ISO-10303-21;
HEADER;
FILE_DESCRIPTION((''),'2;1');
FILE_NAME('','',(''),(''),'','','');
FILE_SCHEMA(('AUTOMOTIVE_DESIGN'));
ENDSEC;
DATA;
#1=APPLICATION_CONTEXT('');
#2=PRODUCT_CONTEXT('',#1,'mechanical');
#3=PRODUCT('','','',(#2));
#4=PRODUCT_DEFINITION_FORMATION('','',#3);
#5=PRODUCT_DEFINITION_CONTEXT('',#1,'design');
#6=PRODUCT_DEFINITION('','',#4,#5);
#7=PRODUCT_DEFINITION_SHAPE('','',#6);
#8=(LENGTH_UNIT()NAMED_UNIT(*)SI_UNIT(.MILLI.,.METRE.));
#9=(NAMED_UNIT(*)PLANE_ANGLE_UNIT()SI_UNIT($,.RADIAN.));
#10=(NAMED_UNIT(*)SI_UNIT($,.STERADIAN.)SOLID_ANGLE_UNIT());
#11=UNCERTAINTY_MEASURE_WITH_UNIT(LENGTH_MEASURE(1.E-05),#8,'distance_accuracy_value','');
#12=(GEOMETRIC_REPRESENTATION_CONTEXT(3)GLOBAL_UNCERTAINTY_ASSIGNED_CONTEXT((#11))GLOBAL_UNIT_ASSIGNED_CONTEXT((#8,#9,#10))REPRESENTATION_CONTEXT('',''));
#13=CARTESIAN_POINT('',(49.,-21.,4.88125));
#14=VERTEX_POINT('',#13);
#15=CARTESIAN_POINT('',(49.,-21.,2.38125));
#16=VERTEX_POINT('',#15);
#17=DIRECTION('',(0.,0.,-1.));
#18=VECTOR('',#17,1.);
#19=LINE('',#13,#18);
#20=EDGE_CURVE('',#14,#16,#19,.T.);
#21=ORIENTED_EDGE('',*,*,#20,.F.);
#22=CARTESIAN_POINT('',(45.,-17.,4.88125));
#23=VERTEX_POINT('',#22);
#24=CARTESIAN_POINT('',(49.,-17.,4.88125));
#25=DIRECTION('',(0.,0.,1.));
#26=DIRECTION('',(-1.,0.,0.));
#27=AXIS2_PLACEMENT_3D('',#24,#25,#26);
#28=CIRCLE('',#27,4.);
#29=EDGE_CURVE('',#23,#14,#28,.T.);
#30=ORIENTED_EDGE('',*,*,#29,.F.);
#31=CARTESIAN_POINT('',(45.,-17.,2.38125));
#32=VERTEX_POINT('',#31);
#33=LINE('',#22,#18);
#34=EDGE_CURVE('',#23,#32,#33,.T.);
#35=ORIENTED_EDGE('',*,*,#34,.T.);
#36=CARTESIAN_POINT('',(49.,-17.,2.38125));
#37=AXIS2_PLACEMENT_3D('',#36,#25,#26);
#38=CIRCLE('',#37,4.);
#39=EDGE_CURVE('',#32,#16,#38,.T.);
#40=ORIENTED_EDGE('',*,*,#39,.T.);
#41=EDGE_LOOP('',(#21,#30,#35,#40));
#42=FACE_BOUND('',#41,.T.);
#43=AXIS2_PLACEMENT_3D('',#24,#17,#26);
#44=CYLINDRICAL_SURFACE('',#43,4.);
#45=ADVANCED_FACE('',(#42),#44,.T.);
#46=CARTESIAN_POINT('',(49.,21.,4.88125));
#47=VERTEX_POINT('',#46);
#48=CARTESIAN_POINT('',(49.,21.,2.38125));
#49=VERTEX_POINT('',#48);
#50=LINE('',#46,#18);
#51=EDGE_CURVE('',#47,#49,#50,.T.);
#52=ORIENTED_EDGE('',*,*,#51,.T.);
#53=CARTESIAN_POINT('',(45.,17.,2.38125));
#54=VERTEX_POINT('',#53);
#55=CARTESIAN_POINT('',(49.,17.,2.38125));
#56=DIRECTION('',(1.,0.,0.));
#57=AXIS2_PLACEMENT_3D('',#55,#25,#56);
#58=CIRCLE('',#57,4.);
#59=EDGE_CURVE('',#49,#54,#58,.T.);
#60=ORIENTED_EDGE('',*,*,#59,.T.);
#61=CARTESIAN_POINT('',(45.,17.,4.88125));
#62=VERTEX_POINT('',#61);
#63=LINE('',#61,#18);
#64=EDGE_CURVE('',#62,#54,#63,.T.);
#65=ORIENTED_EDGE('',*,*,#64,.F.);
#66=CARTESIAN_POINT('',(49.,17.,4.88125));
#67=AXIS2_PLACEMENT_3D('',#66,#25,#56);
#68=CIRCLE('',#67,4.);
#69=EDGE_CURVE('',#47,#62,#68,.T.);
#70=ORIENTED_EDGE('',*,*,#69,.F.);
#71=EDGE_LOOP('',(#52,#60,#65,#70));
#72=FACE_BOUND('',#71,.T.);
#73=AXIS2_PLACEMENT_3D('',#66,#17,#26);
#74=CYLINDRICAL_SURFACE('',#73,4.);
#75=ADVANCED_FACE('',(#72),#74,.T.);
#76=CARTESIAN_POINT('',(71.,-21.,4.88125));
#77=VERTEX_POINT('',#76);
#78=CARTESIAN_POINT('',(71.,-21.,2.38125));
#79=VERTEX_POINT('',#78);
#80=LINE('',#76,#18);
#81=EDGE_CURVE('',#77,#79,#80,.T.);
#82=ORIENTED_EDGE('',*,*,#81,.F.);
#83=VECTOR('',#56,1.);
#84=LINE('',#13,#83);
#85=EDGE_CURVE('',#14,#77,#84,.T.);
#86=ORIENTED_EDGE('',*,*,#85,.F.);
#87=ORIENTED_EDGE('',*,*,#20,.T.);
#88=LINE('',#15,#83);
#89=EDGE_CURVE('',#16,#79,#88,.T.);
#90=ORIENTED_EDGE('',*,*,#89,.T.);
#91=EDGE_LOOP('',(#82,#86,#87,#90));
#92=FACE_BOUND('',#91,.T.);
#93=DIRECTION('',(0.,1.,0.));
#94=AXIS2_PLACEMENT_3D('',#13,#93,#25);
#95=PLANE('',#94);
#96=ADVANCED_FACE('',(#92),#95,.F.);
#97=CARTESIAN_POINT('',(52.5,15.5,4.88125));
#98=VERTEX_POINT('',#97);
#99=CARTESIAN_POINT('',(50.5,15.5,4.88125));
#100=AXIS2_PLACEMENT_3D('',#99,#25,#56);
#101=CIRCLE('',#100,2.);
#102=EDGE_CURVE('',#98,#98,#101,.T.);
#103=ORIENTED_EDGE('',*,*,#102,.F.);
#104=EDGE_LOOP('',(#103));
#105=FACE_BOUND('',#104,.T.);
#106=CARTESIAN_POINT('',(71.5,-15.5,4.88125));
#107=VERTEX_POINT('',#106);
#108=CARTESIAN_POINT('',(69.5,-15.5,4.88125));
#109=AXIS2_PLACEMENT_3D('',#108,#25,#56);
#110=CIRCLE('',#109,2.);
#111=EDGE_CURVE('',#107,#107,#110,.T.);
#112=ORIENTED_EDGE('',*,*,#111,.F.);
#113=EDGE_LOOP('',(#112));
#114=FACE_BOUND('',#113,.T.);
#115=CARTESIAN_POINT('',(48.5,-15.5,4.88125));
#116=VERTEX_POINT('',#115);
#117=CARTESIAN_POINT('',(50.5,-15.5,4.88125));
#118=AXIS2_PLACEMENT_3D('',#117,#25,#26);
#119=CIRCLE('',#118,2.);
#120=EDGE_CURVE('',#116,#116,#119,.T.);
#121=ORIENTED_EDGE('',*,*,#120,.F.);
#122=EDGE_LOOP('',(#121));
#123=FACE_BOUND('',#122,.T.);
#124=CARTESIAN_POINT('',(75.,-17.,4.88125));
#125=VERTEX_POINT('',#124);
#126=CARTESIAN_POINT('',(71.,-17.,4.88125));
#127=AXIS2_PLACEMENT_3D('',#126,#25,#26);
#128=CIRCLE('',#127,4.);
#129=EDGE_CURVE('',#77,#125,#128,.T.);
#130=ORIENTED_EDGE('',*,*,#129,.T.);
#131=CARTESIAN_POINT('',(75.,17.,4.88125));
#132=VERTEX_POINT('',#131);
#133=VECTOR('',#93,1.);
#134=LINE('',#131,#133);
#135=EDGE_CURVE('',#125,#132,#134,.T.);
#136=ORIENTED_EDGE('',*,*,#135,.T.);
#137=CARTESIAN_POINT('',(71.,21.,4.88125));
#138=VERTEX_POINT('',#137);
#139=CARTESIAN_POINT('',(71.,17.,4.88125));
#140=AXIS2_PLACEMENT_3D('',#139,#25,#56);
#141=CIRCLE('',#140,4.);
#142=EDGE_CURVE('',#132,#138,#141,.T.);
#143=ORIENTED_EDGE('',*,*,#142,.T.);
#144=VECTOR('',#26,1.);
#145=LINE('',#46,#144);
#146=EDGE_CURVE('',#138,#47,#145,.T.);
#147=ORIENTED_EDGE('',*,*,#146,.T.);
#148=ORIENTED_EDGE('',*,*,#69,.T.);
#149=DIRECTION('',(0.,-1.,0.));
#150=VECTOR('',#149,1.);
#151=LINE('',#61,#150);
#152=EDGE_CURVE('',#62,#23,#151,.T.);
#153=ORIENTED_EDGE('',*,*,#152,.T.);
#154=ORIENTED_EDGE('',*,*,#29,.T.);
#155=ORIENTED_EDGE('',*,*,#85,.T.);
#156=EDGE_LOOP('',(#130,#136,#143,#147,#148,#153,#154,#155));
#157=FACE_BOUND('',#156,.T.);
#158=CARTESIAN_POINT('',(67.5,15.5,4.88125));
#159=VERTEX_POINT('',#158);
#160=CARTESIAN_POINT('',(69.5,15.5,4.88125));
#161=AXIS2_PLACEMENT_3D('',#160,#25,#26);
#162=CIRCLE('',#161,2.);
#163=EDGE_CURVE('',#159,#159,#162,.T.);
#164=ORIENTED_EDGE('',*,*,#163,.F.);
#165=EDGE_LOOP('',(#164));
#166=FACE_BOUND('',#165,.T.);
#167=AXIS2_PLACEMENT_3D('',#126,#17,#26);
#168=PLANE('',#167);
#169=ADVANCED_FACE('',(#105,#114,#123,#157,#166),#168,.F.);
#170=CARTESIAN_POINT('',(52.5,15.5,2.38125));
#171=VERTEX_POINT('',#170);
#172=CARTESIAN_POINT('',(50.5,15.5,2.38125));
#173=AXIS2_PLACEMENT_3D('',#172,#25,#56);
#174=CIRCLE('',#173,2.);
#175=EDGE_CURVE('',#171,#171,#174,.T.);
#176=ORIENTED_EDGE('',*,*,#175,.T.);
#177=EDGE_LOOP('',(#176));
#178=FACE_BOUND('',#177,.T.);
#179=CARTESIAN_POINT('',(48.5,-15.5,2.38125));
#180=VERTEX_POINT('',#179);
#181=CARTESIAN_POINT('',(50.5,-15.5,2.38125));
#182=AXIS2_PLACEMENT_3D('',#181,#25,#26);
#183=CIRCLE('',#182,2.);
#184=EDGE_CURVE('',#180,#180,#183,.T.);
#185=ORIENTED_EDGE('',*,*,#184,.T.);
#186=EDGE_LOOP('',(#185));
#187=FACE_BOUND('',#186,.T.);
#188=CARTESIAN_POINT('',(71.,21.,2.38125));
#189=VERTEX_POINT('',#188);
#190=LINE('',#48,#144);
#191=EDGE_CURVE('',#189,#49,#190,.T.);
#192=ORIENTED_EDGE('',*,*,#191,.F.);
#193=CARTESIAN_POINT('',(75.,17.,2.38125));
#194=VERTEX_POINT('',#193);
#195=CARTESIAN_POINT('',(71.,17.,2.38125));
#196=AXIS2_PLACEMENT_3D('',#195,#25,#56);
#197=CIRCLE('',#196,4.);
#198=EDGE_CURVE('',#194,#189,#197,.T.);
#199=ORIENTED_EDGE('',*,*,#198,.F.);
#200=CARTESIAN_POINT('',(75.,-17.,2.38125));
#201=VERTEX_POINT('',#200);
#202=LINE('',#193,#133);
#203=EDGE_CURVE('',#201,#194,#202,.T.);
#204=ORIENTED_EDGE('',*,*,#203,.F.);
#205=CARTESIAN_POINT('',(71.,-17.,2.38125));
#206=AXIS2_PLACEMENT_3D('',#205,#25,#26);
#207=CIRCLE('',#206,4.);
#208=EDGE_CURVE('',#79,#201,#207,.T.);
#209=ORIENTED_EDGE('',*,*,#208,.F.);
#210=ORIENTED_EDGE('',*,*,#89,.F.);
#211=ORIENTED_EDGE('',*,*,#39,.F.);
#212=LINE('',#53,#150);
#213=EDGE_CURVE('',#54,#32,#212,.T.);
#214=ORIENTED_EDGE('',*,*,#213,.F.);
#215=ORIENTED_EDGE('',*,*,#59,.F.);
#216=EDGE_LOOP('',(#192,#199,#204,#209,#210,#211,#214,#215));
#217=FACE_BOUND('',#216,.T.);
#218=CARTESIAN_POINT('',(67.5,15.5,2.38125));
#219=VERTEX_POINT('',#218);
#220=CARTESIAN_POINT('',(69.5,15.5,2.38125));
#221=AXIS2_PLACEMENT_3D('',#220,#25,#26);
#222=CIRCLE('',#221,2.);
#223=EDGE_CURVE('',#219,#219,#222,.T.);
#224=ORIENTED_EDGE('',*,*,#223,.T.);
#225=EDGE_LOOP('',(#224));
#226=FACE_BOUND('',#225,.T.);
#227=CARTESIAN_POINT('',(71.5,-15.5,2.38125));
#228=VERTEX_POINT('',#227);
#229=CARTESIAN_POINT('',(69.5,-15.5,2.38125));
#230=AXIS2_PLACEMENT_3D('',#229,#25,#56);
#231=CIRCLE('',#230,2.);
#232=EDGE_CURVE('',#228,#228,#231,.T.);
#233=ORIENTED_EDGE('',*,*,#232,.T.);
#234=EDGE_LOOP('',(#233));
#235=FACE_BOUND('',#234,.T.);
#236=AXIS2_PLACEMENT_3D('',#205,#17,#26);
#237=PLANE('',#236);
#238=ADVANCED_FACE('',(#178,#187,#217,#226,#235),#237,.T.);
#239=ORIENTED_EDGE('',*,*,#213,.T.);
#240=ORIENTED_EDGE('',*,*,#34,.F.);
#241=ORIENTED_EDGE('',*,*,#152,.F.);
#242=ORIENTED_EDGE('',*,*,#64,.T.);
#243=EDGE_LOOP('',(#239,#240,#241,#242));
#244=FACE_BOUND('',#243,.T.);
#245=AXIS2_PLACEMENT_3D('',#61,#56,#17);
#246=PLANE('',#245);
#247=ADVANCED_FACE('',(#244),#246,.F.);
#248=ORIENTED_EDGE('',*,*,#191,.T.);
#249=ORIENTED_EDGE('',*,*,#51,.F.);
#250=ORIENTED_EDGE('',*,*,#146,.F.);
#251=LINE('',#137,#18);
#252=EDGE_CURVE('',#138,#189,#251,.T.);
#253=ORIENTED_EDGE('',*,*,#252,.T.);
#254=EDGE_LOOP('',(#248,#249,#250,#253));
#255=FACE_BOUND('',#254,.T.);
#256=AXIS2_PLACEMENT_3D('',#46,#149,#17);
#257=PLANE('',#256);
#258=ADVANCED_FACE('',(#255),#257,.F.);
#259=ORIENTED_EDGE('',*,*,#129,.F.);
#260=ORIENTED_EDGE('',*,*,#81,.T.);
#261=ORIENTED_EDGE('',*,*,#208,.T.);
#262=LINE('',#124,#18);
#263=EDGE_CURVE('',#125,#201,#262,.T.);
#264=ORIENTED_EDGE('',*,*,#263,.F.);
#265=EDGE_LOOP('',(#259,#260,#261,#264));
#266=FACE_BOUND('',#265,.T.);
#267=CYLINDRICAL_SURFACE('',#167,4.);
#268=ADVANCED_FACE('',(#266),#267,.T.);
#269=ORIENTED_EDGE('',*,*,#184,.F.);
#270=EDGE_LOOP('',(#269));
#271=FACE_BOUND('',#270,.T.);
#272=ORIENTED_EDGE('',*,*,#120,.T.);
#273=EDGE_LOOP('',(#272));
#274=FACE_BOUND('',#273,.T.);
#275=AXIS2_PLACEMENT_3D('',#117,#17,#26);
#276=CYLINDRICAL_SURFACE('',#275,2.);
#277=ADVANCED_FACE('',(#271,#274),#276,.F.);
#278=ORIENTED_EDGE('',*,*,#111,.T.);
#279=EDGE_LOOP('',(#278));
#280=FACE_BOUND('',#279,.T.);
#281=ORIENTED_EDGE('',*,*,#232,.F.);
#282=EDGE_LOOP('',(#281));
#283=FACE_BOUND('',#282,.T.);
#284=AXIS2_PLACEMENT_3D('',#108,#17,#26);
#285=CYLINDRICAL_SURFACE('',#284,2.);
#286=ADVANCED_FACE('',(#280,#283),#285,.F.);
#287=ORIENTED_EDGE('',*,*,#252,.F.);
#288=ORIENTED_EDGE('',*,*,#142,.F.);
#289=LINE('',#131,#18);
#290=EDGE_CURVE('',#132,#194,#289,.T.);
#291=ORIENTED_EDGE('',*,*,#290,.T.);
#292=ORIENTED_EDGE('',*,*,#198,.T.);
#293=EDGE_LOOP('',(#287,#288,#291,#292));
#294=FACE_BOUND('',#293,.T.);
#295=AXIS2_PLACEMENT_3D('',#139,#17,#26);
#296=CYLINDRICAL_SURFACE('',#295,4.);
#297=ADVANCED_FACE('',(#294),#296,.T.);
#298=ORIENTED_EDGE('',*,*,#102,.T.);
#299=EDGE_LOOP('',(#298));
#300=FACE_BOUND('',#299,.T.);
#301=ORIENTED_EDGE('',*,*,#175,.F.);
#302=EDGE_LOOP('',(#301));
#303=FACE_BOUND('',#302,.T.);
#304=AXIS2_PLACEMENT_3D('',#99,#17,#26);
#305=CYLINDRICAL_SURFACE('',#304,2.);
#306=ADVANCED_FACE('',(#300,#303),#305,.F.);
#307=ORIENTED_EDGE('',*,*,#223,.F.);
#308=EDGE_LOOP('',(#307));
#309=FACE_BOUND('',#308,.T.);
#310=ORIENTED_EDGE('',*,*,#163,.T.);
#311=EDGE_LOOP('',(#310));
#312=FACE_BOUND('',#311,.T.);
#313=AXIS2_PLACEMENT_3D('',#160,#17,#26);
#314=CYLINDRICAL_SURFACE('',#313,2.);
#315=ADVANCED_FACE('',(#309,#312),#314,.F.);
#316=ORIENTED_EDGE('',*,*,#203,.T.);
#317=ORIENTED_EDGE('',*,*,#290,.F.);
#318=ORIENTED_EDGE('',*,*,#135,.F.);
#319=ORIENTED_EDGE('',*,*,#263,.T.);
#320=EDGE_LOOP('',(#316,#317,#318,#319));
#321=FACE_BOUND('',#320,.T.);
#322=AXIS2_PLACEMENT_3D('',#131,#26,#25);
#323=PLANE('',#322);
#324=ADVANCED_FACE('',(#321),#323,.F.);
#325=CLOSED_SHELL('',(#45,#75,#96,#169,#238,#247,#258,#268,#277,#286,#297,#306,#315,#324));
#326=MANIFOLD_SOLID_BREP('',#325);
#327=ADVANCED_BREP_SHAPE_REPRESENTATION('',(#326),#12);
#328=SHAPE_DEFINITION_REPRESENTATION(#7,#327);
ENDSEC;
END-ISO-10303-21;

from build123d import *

# Parameters (mm, degrees)
SKETCH2_W               = 138
SKETCH2_H               = 42
SKETCH2_R               = 2
SKETCH2_R_2             = 3.5
SKETCH2_R_3             = 8.5
BOSS_EXTRUDE1_DEPTH     = 2.38125
SKETCH3_R               = 4
SKETCH3_R_2             = 2
CUT_EXTRUDE1_DEPTH      = 4
SKETCH4_R               = 3.175
SKETCH4_R_2             = 2
BOSS_EXTRUDE2_DEPTH     = 17.9
SKETCH6_R               = 2
CUT_EXTRUDE2_DEPTH      = 10
BOSS_EXTRUDE3_DEPTH     = 4.7625
SKETCH7_R               = 3.175
BOSS_EXTRUDE4_DEPTH     = 17.9
FILLET1_R               = 6.35
BOSS_EXTRUDE5_START     = -27.425
BOSS_EXTRUDE5_DEPTH     = 27.425
CUT_EXTRUDE4_START      = -4
SKETCH9_R               = 4
CUT_EXTRUDE4_DEPTH      = 4
SKETCH10_R              = 11.00455
CUT_EXTRUDE5_DEPTH      = 2.5
CUT_EXTRUDE6_DEPTH      = 123.578796086
CUT_EXTRUDE6_DEPTH_BACK = 123.578796086
SKETCH11_R              = 1.65
SKETCH12_R              = 2
BOSS_EXTRUDE6_DEPTH     = 2.5


with BuildPart() as part:
    # Sketch2 → Boss-Extrude1 (new, symmetric)
    with BuildSketch(Plane.XY):
        with Locations((48, 0)):
            Rectangle(SKETCH2_W, SKETCH2_H)
        with Locations(Location((34, -15.5, 0), (0, 0, 180))):
            Circle(SKETCH2_R, mode=Mode.SUBTRACT)
        with Locations(Location((34, 15.5, 0), (0, 0, 180))):
            Circle(SKETCH2_R, mode=Mode.SUBTRACT)
        with Locations(Location((0, 0, 0), (0, 0, 180))):
            Circle(SKETCH2_R_2, mode=Mode.SUBTRACT)
        with Locations(Location((60, 0, 0), (0, 0, 180))):
            Circle(SKETCH2_R_3, mode=Mode.SUBTRACT)
    boss_extrude1 = extrude(amount=BOSS_EXTRUDE1_DEPTH, both=True)

    # Sketch3 → Cut-Extrude1 (cut)
    # profile 1 of 6: a face of its own
    with BuildSketch(Plane(origin=(0, 0, -2.38125), x_dir=(-1, 0, 0), z_dir=(0, 0, -1))):
        with Locations((-34, -15.5)):
            Circle(SKETCH3_R)
    # profile 2 of 6: a face of its own
    with BuildSketch(Plane(origin=(0, 0, -2.38125), x_dir=(-1, 0, 0), z_dir=(0, 0, -1))):
        with Locations((-34, 15.5)):
            Circle(SKETCH3_R)
        with Locations((-34, 15.5)):
            Circle(SKETCH3_R_2, mode=Mode.SUBTRACT)
    # profile 3 of 6: a face of its own
    with BuildSketch(Plane(origin=(0, 0, -2.38125), x_dir=(-1, 0, 0), z_dir=(0, 0, -1))):
        with Locations((-15.5, 15.5)):
            Circle(SKETCH3_R)
    # profile 4 of 6: a face of its own
    with BuildSketch(Plane(origin=(0, 0, -2.38125), x_dir=(-1, 0, 0), z_dir=(0, 0, -1))):
        with Locations((15.5, 15.5)):
            Circle(SKETCH3_R)
    # profile 5 of 6: a face of its own
    with BuildSketch(Plane(origin=(0, 0, -2.38125), x_dir=(-1, 0, 0), z_dir=(0, 0, -1))):
        with Locations((-15.5, -15.5)):
            Circle(SKETCH3_R)
    # profile 6 of 6: a face of its own
    with BuildSketch(Plane(origin=(0, 0, -2.38125), x_dir=(-1, 0, 0), z_dir=(0, 0, -1))):
        with Locations((15.5, -15.5)):
            Circle(SKETCH3_R)
    extrude(amount=-CUT_EXTRUDE1_DEPTH, mode=Mode.SUBTRACT)

    # Sketch4 → Boss-Extrude2 (add)
    # profile 1 of 2: a face of its own
    with BuildSketch(Plane(origin=(0, 0, -2.38125), x_dir=(-1, 0, 0), z_dir=(0, 0, -1))):
        with Locations(Location((-111.5, -15.5, 0), (0, 0, 180))):
            Circle(SKETCH4_R)
        with Locations(Location((-111.5, -15.5, 0), (0, 0, 180))):
            Circle(SKETCH4_R_2, mode=Mode.SUBTRACT)
    # profile 2 of 2: a face of its own
    with BuildSketch(Plane(origin=(0, 0, -2.38125), x_dir=(-1, 0, 0), z_dir=(0, 0, -1))):
        with Locations(Location((-111.5, 15.5, 0), (0, 0, 180))):
            Circle(SKETCH4_R)
        with Locations(Location((-111.5, 15.5, 0), (0, 0, 180))):
            Circle(SKETCH4_R_2, mode=Mode.SUBTRACT)
    extrude(amount=BOSS_EXTRUDE2_DEPTH)

    # Sketch6 → Cut-Extrude2 (cut)
    with BuildSketch(Plane(origin=(0, 0, -2.38125), x_dir=(-1, 0, 0), z_dir=(0, 0, -1))):
        with Locations((-15.5, 15.5)):
            Circle(SKETCH6_R)
        with Locations((15.5, 15.5)):
            Circle(SKETCH6_R)
        with Locations((15.5, -15.5)):
            Circle(SKETCH6_R)
        with Locations((-15.5, -15.5)):
            Circle(SKETCH6_R)
    extrude(amount=-CUT_EXTRUDE2_DEPTH, mode=Mode.SUBTRACT)

    # Sketch5 → Boss-Extrude3 (add)
    with BuildSketch(Plane(origin=(0, 0, -2.38125), x_dir=(-1, 0, 0), z_dir=(0, 0, -1))):
        with BuildLine():
            Line((21, -21), (27.208091957, -0.938604379))
            ThreePointArc((27.208091957, -0.938604379), (27.35, 0), (27.208091957, 0.938604379))
            Line((27.208091957, 0.938604379), (21, 21))
            Line((21, 21), (21, -21))
        make_face()
    boss_extrude3 = extrude(amount=-BOSS_EXTRUDE3_DEPTH)

    # Mirror2: Boss-Extrude1, Boss-Extrude3 across plane
    add(boss_extrude1.mirror(Plane(origin=(0, 0, -11.33125), x_dir=(1, 0, 0), z_dir=(0, 0, -1))))
    add(boss_extrude3.mirror(Plane(origin=(0, 0, -11.33125), x_dir=(1, 0, 0), z_dir=(0, 0, -1))))

    # Sketch7 → Boss-Extrude4 (add)
    with BuildSketch(Plane.XY.offset(-20.28125)):
        with Locations(Location((-24.175, 0, 0), (0, 0, 197.194924512))):
            Circle(SKETCH7_R)
    extrude(amount=BOSS_EXTRUDE4_DEPTH)

    # Fillet1
    fillet1_edges = [part.edges().sort_by_distance(p)[0] for p in [
        (117, 21, -22.6625),
        (117, -21, -22.6625),
        (-21, -21, -22.6625),
        (-21, 21, -22.6625),
        (117, -21, 0),
        (-21, -21, 0),
        (-21, 21, 0),
        (117, 21, 0),
    ]]
    fillet(fillet1_edges, radius=FILLET1_R)

    # Sketch8 → Boss-Extrude5 (add)
    with BuildSketch(Plane(origin=(0, 0, -25.04375), x_dir=(-1, 0, 0), z_dir=(0, 0, -1)).offset(BOSS_EXTRUDE5_START)):
        with BuildLine():
            ThreePointArc((3.175, 21), (0, 24.175), (-3.175, 21))
            Line((-3.175, 21), (3.175, 21))
        make_face()
        with BuildLine():
            Line((3.175, -21), (-3.175, -21))
            ThreePointArc((-3.175, -21), (0, -24.175), (3.175, -21))
        make_face()
    extrude(amount=BOSS_EXTRUDE5_DEPTH)

    # Sketch9 → Cut-Extrude4 (cut)
    with BuildSketch(Plane.XY.offset(-20.28125).offset(CUT_EXTRUDE4_START)):
        with Locations(Location((34, -15.5, 0), (0, 0, 180))):
            Circle(SKETCH9_R)
        with Locations(Location((34, 15.5, 0), (0, 0, 180))):
            Circle(SKETCH9_R)
    extrude(amount=CUT_EXTRUDE4_DEPTH, mode=Mode.SUBTRACT)

    # Sketch10 → Cut-Extrude5 (cut)
    with BuildSketch(Plane.XY.offset(2.38125)):
        Circle(SKETCH10_R)
    extrude(amount=-CUT_EXTRUDE5_DEPTH, mode=Mode.SUBTRACT)

    # Sketch11 → Cut-Extrude6 (cut, two sides: drawn at the far end of the back side and taken through both)
    with BuildSketch(Plane.XY.offset(2.38125).offset(-CUT_EXTRUDE6_DEPTH_BACK)):
        with Locations((50.5, 15.5)):
            Circle(SKETCH11_R)
        with Locations(Location((69.5, 15.5, 0), (0, 0, 180))):
            Circle(SKETCH11_R)
        with Locations((69.5, -15.5)):
            Circle(SKETCH11_R)
        with Locations(Location((50.5, -15.5, 0), (0, 0, 180))):
            Circle(SKETCH11_R)
    extrude(amount=CUT_EXTRUDE6_DEPTH + CUT_EXTRUDE6_DEPTH_BACK, mode=Mode.SUBTRACT)


with BuildPart() as body_2:
    # Sketch12 → Boss-Extrude6 (new body)
    with BuildSketch(Plane.XY.offset(2.38125)):
        with BuildLine():
            Line((49, 21), (71, 21))
            ThreePointArc((71, 21), (73.828427125, 19.828427125), (75, 17))
            Line((75, 17), (75, -17))
            ThreePointArc((75, -17), (73.828427125, -19.828427125), (71, -21))
            Line((71, -21), (49, -21))
            ThreePointArc((49, -21), (46.171572875, -19.828427125), (45, -17))
            Line((45, -17), (45, 17))
            ThreePointArc((45, 17), (46.171572875, 19.828427125), (49, 21))
        make_face()
        with Locations((50.5, 15.5)):
            Circle(SKETCH12_R, mode=Mode.SUBTRACT)
        with Locations(Location((69.5, 15.5, 0), (0, 0, 180))):
            Circle(SKETCH12_R, mode=Mode.SUBTRACT)
        with Locations((69.5, -15.5)):
            Circle(SKETCH12_R, mode=Mode.SUBTRACT)
        with Locations(Location((50.5, -15.5, 0), (0, 0, 180))):
            Circle(SKETCH12_R, mode=Mode.SUBTRACT)
    extrude(amount=BOSS_EXTRUDE6_DEPTH)


solid = body_2.part
